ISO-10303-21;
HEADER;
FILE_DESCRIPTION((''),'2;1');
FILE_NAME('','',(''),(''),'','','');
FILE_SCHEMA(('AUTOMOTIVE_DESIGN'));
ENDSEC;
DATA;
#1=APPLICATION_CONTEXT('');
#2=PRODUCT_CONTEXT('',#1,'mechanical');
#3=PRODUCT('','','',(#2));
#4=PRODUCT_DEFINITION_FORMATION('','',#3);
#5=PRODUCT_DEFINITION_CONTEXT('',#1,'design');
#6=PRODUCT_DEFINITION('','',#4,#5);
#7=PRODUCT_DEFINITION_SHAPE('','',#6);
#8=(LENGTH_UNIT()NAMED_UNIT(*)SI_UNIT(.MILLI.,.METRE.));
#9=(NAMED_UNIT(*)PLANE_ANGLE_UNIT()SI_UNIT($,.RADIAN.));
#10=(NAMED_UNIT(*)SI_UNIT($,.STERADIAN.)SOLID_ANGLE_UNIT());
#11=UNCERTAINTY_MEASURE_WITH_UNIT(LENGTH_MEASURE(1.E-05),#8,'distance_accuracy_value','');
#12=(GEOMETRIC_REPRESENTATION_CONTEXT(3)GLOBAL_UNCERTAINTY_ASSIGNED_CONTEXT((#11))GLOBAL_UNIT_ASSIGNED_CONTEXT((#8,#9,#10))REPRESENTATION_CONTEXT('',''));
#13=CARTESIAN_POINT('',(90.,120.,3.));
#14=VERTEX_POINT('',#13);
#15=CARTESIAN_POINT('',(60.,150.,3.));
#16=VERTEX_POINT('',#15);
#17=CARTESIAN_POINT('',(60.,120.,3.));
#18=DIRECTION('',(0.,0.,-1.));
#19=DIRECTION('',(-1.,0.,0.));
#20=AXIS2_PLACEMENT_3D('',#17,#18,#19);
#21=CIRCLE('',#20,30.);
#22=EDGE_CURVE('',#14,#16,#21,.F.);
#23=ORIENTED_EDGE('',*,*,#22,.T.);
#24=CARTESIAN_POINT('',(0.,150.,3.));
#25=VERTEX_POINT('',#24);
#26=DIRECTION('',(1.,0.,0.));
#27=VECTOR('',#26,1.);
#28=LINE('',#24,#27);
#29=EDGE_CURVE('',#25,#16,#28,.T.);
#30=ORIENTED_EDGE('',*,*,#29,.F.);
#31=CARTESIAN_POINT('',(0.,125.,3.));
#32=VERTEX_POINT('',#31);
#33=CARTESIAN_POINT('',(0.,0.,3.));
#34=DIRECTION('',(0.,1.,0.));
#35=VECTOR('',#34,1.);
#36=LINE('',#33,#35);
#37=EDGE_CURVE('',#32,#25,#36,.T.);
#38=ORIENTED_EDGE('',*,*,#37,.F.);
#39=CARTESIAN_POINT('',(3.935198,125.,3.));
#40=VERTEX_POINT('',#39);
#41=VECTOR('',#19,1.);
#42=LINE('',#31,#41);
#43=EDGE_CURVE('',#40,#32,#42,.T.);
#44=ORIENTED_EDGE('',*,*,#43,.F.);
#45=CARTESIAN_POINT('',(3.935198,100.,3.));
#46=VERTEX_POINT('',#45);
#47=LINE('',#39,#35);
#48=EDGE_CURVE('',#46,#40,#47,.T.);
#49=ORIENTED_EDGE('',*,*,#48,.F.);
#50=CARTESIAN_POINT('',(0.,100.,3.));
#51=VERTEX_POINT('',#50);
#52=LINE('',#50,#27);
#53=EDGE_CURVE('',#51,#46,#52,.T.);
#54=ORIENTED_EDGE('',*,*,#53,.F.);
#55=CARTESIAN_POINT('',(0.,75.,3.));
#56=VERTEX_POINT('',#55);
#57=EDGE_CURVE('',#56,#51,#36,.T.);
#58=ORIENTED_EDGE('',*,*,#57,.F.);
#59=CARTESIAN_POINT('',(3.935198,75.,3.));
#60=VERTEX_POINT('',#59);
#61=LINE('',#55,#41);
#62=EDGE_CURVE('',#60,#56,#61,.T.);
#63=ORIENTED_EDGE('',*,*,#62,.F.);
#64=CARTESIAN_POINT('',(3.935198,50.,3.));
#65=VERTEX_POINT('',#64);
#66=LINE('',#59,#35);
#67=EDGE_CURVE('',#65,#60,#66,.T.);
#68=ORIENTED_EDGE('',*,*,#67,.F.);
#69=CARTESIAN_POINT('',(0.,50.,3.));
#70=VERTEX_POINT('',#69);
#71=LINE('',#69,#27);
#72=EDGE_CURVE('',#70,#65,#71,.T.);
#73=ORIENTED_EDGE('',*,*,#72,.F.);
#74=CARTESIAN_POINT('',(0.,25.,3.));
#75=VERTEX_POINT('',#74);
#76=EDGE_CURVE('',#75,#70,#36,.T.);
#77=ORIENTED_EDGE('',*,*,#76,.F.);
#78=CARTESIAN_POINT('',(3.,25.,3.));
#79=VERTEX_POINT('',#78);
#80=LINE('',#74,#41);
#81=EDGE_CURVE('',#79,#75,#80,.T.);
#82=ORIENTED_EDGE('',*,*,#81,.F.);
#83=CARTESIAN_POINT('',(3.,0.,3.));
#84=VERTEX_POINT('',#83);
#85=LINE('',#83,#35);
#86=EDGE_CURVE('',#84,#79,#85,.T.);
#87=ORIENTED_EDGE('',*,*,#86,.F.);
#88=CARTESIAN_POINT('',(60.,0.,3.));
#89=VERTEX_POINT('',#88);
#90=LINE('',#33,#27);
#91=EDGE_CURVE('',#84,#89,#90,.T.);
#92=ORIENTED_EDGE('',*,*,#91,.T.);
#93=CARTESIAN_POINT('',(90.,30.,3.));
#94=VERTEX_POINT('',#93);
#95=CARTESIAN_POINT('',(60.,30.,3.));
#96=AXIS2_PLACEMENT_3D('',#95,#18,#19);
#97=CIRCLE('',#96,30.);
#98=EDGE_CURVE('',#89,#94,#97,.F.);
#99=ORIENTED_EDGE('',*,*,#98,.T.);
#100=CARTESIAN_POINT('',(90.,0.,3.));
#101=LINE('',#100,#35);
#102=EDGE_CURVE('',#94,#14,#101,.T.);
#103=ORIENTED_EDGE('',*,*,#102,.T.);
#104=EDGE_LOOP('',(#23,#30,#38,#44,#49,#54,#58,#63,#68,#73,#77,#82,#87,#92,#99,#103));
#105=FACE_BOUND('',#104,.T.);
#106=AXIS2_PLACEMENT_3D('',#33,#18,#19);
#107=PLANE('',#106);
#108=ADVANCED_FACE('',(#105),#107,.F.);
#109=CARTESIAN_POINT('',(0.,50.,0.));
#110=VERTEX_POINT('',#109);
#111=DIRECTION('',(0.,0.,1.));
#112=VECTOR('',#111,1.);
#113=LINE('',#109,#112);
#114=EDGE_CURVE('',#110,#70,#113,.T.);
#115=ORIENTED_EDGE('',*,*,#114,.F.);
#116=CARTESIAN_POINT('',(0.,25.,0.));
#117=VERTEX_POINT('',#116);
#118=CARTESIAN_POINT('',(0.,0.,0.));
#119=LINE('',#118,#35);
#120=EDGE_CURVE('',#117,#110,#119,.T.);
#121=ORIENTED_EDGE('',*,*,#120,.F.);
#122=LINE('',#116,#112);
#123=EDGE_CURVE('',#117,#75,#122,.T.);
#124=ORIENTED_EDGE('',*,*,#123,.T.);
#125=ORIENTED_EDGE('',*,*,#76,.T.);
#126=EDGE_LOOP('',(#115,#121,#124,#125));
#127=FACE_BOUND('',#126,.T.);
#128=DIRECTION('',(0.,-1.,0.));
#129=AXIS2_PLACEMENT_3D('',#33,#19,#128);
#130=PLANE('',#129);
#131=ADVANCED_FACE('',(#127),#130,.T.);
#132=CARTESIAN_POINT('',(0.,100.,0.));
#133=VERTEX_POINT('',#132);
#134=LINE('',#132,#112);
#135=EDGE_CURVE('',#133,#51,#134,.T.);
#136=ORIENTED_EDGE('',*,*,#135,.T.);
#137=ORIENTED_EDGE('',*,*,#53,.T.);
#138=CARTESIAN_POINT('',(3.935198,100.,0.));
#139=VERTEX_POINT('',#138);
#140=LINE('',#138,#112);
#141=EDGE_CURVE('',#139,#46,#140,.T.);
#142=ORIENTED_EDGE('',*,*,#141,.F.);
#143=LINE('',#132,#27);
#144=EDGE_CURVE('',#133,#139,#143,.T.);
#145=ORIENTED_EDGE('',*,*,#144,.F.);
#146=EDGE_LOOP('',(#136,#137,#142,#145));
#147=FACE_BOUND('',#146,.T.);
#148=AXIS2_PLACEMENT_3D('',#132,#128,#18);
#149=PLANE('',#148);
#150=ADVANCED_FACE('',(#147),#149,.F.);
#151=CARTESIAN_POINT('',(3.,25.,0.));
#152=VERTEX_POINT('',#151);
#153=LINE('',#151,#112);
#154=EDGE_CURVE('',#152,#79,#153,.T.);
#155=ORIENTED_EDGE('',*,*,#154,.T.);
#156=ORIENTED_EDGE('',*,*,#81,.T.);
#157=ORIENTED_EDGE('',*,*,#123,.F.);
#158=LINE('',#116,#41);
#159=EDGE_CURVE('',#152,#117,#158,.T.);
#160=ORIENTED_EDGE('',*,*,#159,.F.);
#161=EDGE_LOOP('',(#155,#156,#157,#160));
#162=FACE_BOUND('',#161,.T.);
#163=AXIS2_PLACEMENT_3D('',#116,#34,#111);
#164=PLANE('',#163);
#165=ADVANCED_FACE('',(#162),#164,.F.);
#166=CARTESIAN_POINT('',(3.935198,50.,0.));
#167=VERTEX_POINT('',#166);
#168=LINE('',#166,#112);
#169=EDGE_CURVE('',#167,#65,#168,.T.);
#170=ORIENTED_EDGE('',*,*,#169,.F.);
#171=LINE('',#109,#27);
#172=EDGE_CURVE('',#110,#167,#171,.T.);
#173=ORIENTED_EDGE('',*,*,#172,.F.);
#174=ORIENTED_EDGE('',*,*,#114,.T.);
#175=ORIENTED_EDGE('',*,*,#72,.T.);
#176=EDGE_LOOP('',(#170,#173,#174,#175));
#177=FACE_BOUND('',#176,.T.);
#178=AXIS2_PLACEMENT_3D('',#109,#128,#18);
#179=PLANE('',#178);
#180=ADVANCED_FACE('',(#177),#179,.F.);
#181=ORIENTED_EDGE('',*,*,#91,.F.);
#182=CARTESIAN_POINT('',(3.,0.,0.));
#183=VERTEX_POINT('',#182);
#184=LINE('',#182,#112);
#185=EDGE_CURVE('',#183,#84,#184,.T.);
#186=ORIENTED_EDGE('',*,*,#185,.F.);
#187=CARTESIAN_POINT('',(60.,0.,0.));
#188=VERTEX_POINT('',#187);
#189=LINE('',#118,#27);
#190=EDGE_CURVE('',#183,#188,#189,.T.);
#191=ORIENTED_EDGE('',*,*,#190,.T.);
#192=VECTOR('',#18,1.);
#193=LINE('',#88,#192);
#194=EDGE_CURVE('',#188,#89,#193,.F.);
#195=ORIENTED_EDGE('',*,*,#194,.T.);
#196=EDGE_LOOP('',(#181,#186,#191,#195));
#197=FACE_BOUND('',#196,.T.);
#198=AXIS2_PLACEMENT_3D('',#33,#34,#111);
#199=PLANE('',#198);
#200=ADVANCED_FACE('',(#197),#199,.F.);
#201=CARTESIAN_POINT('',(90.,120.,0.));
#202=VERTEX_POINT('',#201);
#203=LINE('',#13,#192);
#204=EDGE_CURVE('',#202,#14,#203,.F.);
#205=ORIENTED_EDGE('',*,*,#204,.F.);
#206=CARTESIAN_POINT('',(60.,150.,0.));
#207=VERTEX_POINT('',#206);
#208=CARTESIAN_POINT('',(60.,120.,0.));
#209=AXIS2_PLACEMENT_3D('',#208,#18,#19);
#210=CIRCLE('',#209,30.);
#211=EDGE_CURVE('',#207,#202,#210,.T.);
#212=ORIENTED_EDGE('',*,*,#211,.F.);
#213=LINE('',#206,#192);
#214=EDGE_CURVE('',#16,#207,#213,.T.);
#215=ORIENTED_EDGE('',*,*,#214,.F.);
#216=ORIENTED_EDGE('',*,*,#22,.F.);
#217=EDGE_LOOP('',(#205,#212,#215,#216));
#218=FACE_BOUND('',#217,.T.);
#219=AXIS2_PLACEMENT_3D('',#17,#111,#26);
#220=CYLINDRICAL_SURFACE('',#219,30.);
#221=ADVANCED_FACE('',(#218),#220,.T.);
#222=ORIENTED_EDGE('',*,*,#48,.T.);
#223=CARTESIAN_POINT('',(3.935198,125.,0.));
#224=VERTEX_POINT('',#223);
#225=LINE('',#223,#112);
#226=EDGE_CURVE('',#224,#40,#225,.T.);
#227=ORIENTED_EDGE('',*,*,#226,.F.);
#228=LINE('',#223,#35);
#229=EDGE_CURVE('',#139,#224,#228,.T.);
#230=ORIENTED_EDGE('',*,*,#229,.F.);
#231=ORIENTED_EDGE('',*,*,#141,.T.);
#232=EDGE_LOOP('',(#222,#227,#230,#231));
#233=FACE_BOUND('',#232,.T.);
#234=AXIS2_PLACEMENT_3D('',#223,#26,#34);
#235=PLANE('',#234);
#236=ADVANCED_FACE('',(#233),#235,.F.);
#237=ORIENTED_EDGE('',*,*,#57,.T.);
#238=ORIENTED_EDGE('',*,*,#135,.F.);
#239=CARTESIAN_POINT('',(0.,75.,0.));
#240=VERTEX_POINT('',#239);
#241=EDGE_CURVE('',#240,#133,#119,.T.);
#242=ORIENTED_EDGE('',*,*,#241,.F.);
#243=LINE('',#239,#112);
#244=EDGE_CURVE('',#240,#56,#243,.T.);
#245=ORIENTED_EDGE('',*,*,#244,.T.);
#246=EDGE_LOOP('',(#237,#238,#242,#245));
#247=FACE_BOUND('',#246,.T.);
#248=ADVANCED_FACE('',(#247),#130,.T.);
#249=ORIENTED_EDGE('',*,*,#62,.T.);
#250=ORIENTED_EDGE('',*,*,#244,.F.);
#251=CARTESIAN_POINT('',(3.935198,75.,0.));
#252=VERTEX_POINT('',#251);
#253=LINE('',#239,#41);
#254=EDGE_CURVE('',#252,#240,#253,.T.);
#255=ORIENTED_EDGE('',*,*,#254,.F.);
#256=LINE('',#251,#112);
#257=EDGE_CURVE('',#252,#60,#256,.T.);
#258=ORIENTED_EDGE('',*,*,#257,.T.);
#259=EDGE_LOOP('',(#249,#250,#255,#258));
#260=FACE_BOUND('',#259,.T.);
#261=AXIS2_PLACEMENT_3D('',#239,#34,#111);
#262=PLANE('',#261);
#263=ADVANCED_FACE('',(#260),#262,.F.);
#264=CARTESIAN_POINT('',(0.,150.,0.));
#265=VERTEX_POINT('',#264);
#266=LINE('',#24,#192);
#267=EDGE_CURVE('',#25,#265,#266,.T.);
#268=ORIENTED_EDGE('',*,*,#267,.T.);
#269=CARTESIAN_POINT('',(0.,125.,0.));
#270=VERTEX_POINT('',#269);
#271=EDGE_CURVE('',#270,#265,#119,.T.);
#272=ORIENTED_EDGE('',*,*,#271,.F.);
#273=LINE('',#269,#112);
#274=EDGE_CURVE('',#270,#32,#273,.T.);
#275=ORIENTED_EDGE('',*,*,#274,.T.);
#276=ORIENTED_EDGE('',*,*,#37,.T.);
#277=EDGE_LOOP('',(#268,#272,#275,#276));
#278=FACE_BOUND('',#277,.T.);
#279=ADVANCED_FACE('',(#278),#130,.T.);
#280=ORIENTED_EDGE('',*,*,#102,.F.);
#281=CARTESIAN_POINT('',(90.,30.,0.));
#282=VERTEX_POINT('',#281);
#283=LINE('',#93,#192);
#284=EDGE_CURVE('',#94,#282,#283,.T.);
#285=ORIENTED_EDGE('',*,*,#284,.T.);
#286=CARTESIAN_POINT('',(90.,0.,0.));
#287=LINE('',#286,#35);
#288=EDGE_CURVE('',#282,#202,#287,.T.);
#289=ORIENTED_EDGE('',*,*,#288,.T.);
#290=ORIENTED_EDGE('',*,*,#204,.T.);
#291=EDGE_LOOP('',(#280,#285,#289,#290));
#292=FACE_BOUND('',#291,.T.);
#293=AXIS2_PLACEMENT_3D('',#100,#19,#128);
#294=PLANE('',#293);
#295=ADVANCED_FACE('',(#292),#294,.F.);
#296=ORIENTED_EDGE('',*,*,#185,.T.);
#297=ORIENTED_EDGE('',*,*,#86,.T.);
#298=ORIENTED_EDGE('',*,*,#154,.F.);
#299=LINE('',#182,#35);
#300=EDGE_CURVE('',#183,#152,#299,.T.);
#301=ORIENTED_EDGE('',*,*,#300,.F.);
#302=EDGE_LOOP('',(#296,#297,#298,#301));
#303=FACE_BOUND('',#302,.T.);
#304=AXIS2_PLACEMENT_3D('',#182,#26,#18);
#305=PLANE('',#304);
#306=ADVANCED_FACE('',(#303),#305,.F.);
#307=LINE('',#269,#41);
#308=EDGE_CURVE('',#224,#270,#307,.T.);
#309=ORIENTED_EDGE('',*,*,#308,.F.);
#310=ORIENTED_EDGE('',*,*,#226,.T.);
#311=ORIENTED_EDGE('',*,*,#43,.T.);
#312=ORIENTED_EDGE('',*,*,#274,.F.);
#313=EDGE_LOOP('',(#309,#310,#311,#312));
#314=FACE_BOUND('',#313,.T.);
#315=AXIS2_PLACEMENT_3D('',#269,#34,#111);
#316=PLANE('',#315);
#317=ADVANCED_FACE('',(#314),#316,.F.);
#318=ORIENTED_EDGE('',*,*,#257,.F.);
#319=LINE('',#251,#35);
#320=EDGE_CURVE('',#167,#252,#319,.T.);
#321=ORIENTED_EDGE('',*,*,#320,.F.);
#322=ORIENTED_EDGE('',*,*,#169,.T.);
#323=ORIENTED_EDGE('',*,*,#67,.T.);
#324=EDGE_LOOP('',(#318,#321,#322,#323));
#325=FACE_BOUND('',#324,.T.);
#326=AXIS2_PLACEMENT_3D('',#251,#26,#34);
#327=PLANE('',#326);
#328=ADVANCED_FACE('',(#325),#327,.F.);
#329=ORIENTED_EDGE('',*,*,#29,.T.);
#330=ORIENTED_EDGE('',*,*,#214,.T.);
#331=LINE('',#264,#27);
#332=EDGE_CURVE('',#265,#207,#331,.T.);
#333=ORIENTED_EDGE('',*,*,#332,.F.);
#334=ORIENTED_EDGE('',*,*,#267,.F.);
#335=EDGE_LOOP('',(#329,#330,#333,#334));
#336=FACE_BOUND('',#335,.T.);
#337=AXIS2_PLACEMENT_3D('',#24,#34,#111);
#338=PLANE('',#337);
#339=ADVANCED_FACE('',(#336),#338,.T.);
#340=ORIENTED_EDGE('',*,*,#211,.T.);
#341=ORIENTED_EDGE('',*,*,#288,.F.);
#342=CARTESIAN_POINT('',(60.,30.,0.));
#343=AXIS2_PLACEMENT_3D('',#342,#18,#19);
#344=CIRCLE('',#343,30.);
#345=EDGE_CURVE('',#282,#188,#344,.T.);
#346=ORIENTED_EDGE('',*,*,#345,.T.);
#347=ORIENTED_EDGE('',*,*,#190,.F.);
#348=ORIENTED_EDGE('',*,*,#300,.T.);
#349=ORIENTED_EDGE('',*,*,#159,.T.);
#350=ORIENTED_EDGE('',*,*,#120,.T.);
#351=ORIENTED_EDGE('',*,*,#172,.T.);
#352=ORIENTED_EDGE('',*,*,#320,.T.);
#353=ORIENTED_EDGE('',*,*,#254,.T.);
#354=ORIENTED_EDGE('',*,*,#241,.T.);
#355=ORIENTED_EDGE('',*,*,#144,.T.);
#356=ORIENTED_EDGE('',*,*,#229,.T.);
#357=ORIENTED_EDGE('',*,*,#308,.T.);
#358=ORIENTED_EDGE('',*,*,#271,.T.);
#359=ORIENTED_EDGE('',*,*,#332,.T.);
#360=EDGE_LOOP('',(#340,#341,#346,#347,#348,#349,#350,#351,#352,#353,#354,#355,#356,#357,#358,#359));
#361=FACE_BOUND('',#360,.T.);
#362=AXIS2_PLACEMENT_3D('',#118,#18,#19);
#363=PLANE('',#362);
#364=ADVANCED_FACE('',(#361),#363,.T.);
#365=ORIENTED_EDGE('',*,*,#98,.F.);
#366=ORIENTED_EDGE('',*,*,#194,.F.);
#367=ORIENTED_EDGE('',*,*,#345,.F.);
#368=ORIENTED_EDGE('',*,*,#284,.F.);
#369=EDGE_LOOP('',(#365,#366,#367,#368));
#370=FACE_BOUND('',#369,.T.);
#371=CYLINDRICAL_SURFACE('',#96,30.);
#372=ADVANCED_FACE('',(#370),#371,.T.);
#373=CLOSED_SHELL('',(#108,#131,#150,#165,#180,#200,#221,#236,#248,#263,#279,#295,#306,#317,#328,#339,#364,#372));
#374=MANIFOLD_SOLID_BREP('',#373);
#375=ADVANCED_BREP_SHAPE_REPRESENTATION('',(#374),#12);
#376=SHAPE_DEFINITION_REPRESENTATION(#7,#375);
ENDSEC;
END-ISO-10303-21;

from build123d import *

# Parameters (mm, degrees)
ESQUISSE1_W             = 90
ESQUISSE1_H             = 150
BOSS_EXTRU_2_DEPTH      = 3
ESQUISSE3_W             = 3.935197626
ESQUISSE3_H             = 25
ESQUISSE3_W_2           = 3
ENL_V_MAT_EXTRU_1_DEPTH = 3
CONG_1_R                = 30


with BuildPart() as part:
    # Esquisse1 → Boss.-Extru.2 (new body)
    with BuildSketch(Plane.XY):
        with Locations((45, 75)):
            Rectangle(ESQUISSE1_W, ESQUISSE1_H)
    extrude(amount=BOSS_EXTRU_2_DEPTH)

    # Esquisse3 → Enlèv. mat.-Extru.1 (cut)
    with BuildSketch(Plane.XY.offset(3)):
        with Locations((1.967598813, 112.5)):
            Rectangle(ESQUISSE3_W, ESQUISSE3_H)
        with Locations((1.967598813, 62.5)):
            Rectangle(ESQUISSE3_W, ESQUISSE3_H)
        with Locations((1.5, 12.5)):
            Rectangle(ESQUISSE3_W_2, ESQUISSE3_H)
    extrude(amount=-ENL_V_MAT_EXTRU_1_DEPTH, mode=Mode.SUBTRACT)

    # Congé1
    cong_1_edges = [part.edges().sort_by_distance(p)[0] for p in [
        (90, 0, 1.5),
        (90, 150, 1.5),
    ]]
    fillet(cong_1_edges, radius=CONG_1_R)


solid = part.part
